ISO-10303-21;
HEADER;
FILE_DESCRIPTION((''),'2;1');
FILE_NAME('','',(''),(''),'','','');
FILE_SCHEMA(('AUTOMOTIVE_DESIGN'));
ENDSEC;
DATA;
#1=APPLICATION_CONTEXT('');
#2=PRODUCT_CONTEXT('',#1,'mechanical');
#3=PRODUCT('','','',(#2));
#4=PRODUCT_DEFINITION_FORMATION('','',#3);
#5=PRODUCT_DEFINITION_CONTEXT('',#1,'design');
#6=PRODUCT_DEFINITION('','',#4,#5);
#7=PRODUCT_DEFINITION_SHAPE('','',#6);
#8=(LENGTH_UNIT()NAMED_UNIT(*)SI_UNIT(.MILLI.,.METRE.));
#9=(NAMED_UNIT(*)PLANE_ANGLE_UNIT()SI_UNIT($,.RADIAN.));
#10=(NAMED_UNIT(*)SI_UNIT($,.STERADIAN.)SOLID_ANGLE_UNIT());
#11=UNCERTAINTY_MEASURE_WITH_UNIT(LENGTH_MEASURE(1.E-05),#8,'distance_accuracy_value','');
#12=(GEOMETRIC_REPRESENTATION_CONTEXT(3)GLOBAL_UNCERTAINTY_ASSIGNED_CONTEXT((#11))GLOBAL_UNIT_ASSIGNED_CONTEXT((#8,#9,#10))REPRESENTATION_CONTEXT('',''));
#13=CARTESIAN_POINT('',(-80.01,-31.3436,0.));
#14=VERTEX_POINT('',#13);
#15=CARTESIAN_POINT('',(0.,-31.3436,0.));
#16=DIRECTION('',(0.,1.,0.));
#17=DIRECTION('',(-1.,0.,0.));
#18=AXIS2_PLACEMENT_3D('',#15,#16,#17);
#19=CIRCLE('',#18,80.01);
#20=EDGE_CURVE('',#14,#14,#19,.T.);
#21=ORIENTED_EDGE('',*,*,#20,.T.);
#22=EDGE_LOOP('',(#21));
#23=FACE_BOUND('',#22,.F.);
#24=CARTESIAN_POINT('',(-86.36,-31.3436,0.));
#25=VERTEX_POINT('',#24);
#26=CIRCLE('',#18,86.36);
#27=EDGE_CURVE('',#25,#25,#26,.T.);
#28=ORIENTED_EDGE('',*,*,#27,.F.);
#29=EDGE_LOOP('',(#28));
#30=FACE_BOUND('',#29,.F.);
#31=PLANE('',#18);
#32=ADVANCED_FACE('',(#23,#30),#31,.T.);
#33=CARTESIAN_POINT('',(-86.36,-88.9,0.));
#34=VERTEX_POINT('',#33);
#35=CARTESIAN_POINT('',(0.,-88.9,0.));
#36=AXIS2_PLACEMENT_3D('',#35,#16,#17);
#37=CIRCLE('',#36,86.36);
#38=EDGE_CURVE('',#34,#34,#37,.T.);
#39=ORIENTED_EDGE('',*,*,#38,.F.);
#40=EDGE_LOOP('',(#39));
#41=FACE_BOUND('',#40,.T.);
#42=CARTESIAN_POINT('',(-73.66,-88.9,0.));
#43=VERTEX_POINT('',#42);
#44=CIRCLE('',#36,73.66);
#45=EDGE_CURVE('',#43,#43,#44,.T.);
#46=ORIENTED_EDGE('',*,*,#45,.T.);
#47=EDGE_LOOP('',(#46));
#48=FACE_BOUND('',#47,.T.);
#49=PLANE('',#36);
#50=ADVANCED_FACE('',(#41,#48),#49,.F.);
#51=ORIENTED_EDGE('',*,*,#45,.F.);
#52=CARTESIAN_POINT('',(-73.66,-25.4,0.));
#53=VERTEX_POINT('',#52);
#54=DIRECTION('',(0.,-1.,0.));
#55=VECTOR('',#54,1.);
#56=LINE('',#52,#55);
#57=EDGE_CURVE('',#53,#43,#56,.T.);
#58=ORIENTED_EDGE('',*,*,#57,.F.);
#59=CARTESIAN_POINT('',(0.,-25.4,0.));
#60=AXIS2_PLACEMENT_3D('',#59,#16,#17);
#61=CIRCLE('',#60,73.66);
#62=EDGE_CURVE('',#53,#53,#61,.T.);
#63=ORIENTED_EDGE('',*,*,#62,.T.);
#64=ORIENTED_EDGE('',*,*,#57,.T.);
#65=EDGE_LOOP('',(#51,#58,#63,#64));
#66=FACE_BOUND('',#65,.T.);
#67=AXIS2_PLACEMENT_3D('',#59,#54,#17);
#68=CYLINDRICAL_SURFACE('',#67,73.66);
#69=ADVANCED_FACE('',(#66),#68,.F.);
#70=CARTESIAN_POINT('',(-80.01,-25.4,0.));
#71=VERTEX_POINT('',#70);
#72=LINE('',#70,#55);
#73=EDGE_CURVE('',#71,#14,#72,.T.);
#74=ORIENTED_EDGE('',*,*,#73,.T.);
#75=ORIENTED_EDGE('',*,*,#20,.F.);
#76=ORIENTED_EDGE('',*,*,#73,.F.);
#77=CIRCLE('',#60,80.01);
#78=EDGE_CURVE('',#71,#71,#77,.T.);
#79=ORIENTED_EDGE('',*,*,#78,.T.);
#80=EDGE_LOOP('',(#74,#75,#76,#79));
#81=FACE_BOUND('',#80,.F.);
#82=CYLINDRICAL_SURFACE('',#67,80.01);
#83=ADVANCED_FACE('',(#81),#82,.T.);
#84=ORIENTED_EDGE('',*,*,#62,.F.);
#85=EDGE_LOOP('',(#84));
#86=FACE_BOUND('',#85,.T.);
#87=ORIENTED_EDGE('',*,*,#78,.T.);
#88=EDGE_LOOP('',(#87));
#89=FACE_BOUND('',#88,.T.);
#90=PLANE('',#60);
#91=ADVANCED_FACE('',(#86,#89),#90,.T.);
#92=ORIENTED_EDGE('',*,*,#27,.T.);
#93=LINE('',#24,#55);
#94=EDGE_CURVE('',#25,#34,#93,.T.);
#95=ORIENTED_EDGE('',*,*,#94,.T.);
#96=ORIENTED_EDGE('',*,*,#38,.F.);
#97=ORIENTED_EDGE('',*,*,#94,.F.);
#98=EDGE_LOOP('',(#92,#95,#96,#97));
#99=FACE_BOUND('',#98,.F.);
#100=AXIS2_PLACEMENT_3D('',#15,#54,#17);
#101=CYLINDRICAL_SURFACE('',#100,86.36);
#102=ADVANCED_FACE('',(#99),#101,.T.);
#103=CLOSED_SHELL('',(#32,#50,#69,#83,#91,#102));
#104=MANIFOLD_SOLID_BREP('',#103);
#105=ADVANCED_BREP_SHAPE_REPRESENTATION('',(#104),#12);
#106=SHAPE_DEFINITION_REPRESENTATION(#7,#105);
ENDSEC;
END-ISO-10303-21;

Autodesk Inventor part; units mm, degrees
ref_plane "YZ Plane" through (0, 0, 0) normal (1, 0, 0) x (0, 1, 0)
ref_plane "XZ Plane" through (0, 0, 0) normal (0, 1, 0) x (-1, 0, 0)
ref_plane "XY Plane" through (0, 0, 0) normal (0, 0, 1) x (1, 0, 0)
sketch "Sketch1" plane through (0, 0, 0) normal (0, 0, 1) x (1, 0, 0)
  line L0 (0, 25.4) -> (-28.702, 25.4) construction
  line L1 (0, 25.4) -> (-86.36, 25.4) construction
  line L2 (-86.36, 25.4) -> (-80.01, 25.4) construction
  line L3 (-80.01, 25.4) -> (-73.66, 22.4389) construction
  line L4 (-80.01, 25.4) -> (-80.01, 22.4389) construction
  line L5 (-80.01, 0) -> (-86.36, 0)
  line L6 (-28.702, 59.6457) -> (-28.702, -91.9304) construction
  arc A0 (-28.9184, -4.2142) -> (-32.3684, 3.1843) centre (-35.052, -2.5707) ccw
  line L7 (-67.31, -147.4937) -> (-28.9184, -4.2142)
  line L8 (-80.01, 22.4389) -> (-73.66, 22.4389)
  line L9 (-80.01, 22.4389) -> (-80.01, 0)
  line L10 (-73.66, 22.4389) -> (-32.3684, 3.1843)
  line L11 (-28.702, -2.5707) -> (-60.452, -2.5707) construction
  line L12 (-60.452, 16.28) -> (-60.452, -121.8993) construction
  line L13 (-60.452, -121.8993) -> (-54.102, -121.8993) construction
  line L14 (-54.102, -121.8993) -> (-54.102, -98.2008) construction
  line L15 (-54.102, -98.2008) -> (-60.452, -98.2008)
  line L16 (-60.452, 16.28) -> (-60.452, 6.755) construction
  line L17 (-60.452, 16.28) -> (-60.452, 9.93) construction
  line L18 (-60.452, 9.93) -> (-46.8344, 9.93)
  line L19 (-60.452, 9.93) -> (-60.452, -98.2008)
  line L20 (-86.36, 0) -> (-86.36, -12.7) construction
  line L21 (-60.452, -12.7) -> (-73.152, -12.7) construction
  line L22 (-86.36, -12.7) -> (-86.36, -25.4) construction
  line L23 (-86.36, -25.4) -> (-86.36, -88.9) construction
  line L24 (-86.36, -88.9) -> (-73.66, -88.9) construction
  line L25 (-73.66, -88.9) -> (-73.66, -25.4) construction
  line L26 (-86.36, -25.4) -> (-73.66, -25.4)
  line L27 (-73.66, -25.4) -> (-73.66, -88.9)
  line L28 (-73.66, -88.9) -> (-86.36, -88.9)
  line L29 (-86.36, -12.7) -> (-73.152, -12.7)
  line L30 (-73.152, -133.7486) -> (-63.627, -133.7486)
  line L31 (-73.66, -88.9) -> (-73.66, -147.4937)
  line L32 (-73.66, -147.4937) -> (-67.31, -147.4937)
  line L33 (-73.152, -12.7) -> (-73.152, -133.7486)
  line L34 (-80.01, -25.4) -> (-80.01, -31.3436)
  line L35 (-80.01, -31.3436) -> (-86.36, -31.3436)
  line L36 (-86.36, 0) -> (-86.36, -25.4)
  line L37 (-86.36, -31.3436) -> (-86.36, -88.9)
  line L38 (0, -319.0244) -> (0, 122.7573) projected
  point P0 (0, 0)
  point P1 (-86.36, -255.9127)
  point P2 (-76.835, 22.4389)
  dimension "d0" = 28.702
  dimension "d1" = 86.36
  dimension "d2" = 6.35
  dimension "d3" = 25
  dimension "d5" = 25.4
  dimension "d6" = 25.4
  dimension "d8" = 12.7
  dimension "d11" = 6.35
  dimension "d12" = 31.75
  dimension "d13" = 6.35
  dimension "d15" = 6.35
  dimension "d16" = 12.7
  dimension "d17" = 12.7
  dimension "d18" = 12.7
  dimension "d19" = 63.5
  dimension "d20" = 12.7
  dimension "d22" = 9.525
  dimension "d23" = 6.35
  dimension "d25" = 5.9436
  dimension "d26" = 15
revolve "Revolution4" add sketch "Sketch1" angle 360 about axis through (0, -10, 0) along (0, 1, 0) contours L26 L27 L28 L37 L35 L34
properties part number "Retainer Master Sketch" material "Aluminum 6061"
